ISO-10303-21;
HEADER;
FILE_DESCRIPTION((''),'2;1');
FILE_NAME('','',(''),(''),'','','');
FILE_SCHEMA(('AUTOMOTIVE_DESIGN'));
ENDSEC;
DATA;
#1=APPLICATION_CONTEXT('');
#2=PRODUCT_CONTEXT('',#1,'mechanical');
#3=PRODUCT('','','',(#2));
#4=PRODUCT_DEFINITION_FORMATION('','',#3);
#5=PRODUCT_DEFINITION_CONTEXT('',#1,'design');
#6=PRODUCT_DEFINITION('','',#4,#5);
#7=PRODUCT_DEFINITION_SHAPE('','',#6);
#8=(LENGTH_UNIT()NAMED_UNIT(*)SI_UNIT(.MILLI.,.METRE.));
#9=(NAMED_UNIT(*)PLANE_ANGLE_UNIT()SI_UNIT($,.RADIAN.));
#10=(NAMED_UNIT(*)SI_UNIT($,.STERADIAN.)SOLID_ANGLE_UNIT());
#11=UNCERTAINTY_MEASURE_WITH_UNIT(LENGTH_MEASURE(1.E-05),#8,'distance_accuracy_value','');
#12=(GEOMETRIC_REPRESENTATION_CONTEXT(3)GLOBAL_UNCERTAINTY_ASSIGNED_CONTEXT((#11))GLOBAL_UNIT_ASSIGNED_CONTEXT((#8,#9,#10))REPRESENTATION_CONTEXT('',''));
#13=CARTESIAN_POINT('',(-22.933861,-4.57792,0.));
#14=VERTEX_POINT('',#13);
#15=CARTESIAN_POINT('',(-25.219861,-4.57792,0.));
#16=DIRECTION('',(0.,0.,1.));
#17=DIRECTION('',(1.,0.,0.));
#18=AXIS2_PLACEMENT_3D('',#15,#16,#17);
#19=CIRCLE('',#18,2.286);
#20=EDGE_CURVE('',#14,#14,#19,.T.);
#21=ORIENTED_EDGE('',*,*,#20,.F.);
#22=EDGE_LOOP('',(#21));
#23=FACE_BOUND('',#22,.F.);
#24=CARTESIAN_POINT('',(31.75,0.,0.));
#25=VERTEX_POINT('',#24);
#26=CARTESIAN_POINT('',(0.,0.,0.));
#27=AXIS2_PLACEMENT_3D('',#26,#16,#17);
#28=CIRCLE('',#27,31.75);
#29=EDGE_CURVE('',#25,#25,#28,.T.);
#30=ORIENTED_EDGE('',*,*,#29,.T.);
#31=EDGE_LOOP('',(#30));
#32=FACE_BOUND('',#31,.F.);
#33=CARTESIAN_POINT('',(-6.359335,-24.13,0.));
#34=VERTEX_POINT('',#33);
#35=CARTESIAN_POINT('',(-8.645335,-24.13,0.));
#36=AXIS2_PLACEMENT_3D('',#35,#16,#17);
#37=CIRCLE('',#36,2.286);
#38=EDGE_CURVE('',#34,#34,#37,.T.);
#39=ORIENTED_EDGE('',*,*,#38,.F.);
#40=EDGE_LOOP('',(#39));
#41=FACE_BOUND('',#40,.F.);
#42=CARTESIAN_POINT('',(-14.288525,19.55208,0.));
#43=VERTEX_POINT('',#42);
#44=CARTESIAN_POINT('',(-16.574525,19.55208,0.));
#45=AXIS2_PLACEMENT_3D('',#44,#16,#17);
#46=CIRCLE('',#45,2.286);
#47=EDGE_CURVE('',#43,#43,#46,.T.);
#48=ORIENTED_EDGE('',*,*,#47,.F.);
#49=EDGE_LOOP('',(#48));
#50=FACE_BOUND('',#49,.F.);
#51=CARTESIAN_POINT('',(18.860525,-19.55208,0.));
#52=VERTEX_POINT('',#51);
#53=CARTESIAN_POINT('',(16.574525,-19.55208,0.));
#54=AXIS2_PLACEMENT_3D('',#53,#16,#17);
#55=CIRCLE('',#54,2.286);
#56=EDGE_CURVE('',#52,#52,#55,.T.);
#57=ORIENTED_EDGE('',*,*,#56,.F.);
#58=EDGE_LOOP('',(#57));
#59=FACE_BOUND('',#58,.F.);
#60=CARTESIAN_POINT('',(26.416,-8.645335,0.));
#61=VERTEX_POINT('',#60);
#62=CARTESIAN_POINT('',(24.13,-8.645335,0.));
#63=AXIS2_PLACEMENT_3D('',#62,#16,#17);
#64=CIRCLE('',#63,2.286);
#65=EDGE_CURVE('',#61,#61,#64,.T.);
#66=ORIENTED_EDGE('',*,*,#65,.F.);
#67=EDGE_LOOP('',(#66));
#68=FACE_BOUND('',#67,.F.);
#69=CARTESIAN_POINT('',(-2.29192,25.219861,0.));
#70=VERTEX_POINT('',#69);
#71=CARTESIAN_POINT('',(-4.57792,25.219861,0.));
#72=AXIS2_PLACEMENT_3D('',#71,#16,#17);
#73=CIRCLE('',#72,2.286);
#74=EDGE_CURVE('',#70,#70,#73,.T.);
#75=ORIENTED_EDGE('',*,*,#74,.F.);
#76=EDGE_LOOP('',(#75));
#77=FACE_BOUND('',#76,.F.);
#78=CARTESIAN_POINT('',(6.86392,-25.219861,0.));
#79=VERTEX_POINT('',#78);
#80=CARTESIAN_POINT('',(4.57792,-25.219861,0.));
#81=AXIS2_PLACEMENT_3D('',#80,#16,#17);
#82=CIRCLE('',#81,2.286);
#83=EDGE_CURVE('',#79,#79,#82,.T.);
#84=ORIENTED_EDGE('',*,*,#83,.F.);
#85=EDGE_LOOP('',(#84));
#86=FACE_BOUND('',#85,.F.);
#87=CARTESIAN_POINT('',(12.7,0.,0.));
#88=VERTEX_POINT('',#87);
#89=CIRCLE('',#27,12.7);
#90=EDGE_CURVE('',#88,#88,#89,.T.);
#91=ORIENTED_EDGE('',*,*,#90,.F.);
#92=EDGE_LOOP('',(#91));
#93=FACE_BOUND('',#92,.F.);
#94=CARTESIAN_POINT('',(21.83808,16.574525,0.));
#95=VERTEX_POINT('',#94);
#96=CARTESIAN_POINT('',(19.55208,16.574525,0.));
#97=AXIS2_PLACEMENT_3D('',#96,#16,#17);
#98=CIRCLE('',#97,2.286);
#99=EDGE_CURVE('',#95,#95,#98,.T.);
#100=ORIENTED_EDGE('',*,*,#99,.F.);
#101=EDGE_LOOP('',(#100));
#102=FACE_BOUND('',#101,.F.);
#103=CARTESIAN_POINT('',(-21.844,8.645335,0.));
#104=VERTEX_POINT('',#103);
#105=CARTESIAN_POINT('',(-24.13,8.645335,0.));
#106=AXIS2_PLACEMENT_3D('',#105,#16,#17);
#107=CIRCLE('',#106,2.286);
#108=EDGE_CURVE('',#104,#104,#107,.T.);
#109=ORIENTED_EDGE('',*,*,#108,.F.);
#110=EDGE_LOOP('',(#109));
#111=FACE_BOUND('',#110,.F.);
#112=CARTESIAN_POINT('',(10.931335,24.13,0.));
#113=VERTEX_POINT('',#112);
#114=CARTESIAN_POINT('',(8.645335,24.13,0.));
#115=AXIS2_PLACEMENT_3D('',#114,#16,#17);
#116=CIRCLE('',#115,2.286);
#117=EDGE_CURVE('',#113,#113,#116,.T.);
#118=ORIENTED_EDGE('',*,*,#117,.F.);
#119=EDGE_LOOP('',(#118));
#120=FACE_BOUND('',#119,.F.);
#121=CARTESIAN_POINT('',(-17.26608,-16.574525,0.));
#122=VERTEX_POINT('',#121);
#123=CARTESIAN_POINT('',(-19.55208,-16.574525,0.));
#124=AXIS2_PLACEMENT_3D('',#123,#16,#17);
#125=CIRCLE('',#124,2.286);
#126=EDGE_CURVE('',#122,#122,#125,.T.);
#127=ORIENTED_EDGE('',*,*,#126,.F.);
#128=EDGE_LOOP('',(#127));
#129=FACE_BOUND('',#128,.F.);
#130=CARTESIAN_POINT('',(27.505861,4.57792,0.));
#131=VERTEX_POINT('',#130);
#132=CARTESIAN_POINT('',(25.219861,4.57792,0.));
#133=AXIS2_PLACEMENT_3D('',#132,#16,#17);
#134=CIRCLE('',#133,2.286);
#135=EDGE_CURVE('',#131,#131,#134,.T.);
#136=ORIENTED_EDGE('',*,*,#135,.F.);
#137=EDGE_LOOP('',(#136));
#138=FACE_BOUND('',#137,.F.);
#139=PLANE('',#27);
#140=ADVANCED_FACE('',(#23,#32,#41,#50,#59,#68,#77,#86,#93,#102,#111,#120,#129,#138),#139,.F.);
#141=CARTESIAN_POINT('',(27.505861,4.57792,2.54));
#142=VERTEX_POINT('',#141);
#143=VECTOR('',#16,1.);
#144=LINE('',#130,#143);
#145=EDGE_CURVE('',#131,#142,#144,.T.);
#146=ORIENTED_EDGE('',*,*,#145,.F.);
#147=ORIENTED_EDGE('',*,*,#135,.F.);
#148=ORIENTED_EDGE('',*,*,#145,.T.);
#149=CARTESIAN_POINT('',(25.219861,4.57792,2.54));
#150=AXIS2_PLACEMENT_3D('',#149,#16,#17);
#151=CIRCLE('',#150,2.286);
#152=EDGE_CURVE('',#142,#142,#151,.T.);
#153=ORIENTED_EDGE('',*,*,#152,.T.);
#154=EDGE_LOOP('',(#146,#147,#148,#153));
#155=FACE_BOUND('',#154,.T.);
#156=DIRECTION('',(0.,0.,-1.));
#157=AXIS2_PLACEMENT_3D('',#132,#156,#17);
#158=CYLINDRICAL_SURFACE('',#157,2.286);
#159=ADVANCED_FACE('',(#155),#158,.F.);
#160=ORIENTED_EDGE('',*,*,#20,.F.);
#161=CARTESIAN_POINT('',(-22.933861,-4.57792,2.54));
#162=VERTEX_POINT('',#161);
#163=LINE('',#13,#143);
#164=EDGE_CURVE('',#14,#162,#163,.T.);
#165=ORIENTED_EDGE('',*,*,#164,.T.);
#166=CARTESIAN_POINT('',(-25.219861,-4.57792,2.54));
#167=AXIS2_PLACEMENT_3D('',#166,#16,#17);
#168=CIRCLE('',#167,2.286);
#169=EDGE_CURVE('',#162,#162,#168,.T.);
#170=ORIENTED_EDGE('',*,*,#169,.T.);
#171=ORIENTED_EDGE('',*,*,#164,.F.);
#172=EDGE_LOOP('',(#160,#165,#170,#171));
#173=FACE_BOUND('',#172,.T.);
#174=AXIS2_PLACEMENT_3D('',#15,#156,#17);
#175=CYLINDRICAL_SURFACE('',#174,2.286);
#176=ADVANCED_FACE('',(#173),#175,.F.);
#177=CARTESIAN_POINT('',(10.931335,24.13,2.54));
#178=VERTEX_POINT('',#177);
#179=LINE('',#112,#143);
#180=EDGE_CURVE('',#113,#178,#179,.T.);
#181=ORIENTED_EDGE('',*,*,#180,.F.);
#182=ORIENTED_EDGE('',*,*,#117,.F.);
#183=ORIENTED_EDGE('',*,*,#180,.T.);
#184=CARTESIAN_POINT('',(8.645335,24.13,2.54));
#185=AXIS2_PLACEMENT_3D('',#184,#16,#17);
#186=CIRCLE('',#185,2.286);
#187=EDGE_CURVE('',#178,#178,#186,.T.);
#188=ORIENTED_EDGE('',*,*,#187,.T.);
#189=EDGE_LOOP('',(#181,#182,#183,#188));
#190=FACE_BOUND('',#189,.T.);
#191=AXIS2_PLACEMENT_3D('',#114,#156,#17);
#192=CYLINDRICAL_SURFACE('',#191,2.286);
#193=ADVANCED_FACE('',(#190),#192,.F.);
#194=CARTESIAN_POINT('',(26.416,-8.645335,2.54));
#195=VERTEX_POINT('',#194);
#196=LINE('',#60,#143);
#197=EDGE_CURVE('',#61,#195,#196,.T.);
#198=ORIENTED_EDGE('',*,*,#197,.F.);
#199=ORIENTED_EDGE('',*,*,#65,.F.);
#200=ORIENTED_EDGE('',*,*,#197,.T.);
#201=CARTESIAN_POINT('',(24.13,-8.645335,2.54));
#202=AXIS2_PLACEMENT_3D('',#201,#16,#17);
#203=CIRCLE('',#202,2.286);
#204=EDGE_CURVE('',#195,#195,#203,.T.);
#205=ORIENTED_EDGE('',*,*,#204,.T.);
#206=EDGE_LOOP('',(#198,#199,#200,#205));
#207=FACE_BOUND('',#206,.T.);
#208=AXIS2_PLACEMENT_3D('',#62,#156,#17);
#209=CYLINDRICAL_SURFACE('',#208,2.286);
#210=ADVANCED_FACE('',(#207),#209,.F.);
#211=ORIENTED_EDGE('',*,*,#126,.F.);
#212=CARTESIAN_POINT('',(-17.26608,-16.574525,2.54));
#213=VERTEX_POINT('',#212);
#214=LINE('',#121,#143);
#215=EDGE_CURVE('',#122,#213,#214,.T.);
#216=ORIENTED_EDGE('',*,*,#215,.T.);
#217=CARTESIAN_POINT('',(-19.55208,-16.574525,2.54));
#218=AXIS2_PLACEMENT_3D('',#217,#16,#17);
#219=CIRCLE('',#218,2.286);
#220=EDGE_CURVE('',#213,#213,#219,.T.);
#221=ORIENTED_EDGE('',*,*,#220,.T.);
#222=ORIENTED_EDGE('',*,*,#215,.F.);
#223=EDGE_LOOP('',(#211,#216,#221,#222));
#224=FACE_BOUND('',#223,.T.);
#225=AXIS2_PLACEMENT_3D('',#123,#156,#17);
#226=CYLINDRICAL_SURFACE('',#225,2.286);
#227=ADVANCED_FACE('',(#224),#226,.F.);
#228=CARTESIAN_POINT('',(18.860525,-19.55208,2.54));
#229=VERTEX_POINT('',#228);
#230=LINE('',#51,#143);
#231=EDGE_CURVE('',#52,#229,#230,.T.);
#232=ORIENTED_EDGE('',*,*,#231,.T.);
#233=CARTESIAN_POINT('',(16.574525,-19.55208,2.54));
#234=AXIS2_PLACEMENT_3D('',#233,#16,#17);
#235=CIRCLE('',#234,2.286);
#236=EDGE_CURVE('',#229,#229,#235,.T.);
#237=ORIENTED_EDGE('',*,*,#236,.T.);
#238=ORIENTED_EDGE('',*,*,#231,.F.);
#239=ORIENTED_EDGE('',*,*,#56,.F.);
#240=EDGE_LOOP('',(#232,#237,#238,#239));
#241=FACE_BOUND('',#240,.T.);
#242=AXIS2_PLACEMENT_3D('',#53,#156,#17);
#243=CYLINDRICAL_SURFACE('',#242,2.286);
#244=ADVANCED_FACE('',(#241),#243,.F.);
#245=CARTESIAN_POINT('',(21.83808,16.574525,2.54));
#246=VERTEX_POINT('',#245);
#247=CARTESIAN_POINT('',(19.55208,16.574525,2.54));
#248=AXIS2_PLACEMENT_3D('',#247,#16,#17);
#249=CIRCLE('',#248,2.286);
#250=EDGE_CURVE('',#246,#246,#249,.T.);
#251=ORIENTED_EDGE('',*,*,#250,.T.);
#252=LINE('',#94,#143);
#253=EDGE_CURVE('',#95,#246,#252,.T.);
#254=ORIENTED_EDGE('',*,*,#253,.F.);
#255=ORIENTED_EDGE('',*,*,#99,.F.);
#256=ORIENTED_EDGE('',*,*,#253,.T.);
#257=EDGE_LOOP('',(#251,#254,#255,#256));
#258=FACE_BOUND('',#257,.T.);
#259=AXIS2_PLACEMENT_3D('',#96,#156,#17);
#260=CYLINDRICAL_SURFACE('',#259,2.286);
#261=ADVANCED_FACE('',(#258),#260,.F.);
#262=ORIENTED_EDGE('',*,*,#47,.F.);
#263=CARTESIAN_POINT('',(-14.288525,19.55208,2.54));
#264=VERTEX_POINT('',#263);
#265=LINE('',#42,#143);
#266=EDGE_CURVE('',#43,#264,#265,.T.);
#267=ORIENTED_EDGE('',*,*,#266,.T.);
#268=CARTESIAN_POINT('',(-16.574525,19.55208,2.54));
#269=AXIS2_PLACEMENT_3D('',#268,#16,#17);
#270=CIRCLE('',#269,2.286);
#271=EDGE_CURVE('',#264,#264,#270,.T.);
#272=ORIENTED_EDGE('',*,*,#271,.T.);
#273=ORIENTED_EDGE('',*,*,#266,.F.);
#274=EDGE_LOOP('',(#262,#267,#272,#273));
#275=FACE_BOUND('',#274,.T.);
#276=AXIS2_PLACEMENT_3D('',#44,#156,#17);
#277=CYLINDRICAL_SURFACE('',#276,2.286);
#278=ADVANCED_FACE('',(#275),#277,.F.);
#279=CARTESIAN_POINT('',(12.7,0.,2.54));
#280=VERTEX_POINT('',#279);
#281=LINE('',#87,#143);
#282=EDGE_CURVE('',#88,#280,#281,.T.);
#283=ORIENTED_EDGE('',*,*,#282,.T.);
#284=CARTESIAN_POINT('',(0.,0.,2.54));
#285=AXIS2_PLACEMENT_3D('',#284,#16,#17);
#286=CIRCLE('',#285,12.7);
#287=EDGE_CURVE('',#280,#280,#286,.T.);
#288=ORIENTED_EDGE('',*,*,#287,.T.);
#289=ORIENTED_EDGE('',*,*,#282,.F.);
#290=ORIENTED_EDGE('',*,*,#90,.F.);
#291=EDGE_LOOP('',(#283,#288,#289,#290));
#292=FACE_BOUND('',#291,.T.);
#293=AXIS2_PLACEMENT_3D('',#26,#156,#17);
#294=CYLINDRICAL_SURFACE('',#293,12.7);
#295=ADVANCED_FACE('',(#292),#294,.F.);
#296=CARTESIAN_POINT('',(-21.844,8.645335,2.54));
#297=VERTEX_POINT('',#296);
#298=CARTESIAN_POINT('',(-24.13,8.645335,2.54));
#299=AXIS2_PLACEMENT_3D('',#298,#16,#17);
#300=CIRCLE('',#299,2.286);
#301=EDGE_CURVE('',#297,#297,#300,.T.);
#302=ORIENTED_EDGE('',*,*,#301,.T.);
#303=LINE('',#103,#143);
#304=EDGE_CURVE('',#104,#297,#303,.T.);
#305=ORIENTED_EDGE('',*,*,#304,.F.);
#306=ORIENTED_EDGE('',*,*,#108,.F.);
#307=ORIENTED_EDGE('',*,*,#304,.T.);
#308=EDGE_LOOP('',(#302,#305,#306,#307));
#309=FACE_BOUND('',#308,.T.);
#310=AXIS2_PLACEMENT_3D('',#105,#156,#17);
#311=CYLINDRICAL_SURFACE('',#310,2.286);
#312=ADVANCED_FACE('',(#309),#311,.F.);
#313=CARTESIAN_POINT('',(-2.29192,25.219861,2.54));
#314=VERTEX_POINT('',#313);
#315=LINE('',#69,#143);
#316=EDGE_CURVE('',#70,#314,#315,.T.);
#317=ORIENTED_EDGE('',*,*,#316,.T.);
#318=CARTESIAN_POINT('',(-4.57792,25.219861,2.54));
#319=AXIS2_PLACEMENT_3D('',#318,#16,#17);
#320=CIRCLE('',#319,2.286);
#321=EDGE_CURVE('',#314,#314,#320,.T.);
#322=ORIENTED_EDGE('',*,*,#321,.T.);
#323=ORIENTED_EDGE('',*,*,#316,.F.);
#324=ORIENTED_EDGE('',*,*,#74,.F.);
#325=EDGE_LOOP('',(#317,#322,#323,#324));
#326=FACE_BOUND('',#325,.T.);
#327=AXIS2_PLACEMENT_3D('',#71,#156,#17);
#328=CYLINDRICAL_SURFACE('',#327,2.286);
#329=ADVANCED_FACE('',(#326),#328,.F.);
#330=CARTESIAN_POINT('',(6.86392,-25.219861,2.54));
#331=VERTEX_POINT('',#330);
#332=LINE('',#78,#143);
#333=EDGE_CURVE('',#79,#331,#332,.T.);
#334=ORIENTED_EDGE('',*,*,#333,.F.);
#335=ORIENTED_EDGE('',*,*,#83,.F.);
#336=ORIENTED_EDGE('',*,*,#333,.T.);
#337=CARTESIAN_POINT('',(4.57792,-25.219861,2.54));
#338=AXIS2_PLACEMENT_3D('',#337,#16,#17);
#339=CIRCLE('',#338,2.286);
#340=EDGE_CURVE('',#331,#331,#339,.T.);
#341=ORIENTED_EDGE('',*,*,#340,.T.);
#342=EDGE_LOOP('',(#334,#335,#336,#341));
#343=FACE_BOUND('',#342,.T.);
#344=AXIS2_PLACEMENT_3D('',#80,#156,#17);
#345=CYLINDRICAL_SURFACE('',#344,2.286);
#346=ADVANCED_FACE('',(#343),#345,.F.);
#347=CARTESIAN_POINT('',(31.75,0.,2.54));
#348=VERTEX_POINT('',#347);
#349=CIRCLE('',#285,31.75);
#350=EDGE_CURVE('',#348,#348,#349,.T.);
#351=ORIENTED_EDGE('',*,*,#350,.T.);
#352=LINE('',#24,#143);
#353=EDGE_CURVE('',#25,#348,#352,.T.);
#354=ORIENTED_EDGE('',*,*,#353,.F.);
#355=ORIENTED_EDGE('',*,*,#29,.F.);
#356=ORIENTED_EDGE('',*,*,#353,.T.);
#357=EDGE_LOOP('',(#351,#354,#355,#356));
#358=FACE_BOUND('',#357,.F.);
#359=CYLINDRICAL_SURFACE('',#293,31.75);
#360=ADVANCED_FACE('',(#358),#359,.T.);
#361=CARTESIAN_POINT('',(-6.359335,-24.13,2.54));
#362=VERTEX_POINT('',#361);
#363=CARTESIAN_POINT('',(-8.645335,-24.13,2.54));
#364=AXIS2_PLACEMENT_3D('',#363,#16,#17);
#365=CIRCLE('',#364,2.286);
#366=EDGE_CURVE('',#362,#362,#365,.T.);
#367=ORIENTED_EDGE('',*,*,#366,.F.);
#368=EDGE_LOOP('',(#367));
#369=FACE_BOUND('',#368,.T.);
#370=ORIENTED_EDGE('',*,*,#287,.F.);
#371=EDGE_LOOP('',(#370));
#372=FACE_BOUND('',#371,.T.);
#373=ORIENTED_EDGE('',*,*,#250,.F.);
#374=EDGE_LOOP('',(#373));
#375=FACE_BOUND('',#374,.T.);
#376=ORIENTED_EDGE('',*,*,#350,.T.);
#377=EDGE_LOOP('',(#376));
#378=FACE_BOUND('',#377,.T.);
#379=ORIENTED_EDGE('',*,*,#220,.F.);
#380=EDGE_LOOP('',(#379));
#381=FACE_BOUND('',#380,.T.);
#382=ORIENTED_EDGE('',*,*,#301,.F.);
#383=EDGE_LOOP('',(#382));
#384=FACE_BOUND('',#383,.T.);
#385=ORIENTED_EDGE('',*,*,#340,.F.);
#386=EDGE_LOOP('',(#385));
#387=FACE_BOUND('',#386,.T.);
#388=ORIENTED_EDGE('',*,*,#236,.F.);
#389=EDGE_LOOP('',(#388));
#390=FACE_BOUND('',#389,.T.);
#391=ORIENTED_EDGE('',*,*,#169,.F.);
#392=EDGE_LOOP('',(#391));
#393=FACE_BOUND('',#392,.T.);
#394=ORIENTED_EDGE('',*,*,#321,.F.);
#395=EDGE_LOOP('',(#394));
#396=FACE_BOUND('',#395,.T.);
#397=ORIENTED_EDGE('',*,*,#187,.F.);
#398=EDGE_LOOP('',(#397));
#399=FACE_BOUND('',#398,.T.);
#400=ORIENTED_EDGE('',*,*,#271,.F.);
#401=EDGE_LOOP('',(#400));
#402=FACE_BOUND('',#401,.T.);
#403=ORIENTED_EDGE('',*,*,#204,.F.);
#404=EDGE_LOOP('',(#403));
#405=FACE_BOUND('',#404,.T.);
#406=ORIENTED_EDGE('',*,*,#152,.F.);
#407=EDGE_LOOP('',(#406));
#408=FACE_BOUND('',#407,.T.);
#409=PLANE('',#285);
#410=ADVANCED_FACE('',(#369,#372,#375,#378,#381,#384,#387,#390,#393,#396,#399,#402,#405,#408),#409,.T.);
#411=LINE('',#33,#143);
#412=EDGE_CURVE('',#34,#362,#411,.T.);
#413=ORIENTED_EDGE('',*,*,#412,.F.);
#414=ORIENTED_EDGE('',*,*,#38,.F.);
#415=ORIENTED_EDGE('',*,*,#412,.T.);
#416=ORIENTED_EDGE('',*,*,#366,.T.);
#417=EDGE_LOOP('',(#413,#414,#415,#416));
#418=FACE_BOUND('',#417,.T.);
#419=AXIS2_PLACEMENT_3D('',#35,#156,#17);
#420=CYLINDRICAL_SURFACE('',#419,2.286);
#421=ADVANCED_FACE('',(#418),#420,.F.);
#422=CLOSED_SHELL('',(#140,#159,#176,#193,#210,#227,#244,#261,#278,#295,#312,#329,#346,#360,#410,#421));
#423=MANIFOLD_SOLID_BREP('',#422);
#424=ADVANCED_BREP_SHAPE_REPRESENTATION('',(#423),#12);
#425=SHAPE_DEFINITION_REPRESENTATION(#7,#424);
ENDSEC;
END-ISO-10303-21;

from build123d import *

# Parameters (mm, degrees)
F0_R     = 31.75
F0_R_2   = 2.286
F0_R_3   = 12.7
F1_DEPTH = 2.54


with BuildPart() as f1:
    # F0 (on Top) → F1 (new body)
    with BuildSketch(Plane.XY):
        Circle(F0_R)
        with Locations((-19.55208, -16.574525)):
            Circle(F0_R_2, mode=Mode.SUBTRACT)
        with Locations((-8.645335, -24.13)):
            Circle(F0_R_2, mode=Mode.SUBTRACT)
        with Locations((-25.219861, -4.57792)):
            Circle(F0_R_2, mode=Mode.SUBTRACT)
        with Locations((4.57792, -25.219861)):
            Circle(F0_R_2, mode=Mode.SUBTRACT)
        with Locations((16.574525, -19.55208)):
            Circle(F0_R_2, mode=Mode.SUBTRACT)
        with Locations((24.13, -8.645335)):
            Circle(F0_R_2, mode=Mode.SUBTRACT)
        with Locations((-24.13, 8.645335)):
            Circle(F0_R_2, mode=Mode.SUBTRACT)
        with Locations((-16.574525, 19.55208)):
            Circle(F0_R_2, mode=Mode.SUBTRACT)
        with Locations((-4.57792, 25.219861)):
            Circle(F0_R_2, mode=Mode.SUBTRACT)
        Circle(F0_R_3, mode=Mode.SUBTRACT)
        with Locations((25.219861, 4.57792)):
            Circle(F0_R_2, mode=Mode.SUBTRACT)
        with Locations((8.645335, 24.13)):
            Circle(F0_R_2, mode=Mode.SUBTRACT)
        with Locations((19.55208, 16.574525)):
            Circle(F0_R_2, mode=Mode.SUBTRACT)
    extrude(amount=F1_DEPTH)


solid = f1.part
